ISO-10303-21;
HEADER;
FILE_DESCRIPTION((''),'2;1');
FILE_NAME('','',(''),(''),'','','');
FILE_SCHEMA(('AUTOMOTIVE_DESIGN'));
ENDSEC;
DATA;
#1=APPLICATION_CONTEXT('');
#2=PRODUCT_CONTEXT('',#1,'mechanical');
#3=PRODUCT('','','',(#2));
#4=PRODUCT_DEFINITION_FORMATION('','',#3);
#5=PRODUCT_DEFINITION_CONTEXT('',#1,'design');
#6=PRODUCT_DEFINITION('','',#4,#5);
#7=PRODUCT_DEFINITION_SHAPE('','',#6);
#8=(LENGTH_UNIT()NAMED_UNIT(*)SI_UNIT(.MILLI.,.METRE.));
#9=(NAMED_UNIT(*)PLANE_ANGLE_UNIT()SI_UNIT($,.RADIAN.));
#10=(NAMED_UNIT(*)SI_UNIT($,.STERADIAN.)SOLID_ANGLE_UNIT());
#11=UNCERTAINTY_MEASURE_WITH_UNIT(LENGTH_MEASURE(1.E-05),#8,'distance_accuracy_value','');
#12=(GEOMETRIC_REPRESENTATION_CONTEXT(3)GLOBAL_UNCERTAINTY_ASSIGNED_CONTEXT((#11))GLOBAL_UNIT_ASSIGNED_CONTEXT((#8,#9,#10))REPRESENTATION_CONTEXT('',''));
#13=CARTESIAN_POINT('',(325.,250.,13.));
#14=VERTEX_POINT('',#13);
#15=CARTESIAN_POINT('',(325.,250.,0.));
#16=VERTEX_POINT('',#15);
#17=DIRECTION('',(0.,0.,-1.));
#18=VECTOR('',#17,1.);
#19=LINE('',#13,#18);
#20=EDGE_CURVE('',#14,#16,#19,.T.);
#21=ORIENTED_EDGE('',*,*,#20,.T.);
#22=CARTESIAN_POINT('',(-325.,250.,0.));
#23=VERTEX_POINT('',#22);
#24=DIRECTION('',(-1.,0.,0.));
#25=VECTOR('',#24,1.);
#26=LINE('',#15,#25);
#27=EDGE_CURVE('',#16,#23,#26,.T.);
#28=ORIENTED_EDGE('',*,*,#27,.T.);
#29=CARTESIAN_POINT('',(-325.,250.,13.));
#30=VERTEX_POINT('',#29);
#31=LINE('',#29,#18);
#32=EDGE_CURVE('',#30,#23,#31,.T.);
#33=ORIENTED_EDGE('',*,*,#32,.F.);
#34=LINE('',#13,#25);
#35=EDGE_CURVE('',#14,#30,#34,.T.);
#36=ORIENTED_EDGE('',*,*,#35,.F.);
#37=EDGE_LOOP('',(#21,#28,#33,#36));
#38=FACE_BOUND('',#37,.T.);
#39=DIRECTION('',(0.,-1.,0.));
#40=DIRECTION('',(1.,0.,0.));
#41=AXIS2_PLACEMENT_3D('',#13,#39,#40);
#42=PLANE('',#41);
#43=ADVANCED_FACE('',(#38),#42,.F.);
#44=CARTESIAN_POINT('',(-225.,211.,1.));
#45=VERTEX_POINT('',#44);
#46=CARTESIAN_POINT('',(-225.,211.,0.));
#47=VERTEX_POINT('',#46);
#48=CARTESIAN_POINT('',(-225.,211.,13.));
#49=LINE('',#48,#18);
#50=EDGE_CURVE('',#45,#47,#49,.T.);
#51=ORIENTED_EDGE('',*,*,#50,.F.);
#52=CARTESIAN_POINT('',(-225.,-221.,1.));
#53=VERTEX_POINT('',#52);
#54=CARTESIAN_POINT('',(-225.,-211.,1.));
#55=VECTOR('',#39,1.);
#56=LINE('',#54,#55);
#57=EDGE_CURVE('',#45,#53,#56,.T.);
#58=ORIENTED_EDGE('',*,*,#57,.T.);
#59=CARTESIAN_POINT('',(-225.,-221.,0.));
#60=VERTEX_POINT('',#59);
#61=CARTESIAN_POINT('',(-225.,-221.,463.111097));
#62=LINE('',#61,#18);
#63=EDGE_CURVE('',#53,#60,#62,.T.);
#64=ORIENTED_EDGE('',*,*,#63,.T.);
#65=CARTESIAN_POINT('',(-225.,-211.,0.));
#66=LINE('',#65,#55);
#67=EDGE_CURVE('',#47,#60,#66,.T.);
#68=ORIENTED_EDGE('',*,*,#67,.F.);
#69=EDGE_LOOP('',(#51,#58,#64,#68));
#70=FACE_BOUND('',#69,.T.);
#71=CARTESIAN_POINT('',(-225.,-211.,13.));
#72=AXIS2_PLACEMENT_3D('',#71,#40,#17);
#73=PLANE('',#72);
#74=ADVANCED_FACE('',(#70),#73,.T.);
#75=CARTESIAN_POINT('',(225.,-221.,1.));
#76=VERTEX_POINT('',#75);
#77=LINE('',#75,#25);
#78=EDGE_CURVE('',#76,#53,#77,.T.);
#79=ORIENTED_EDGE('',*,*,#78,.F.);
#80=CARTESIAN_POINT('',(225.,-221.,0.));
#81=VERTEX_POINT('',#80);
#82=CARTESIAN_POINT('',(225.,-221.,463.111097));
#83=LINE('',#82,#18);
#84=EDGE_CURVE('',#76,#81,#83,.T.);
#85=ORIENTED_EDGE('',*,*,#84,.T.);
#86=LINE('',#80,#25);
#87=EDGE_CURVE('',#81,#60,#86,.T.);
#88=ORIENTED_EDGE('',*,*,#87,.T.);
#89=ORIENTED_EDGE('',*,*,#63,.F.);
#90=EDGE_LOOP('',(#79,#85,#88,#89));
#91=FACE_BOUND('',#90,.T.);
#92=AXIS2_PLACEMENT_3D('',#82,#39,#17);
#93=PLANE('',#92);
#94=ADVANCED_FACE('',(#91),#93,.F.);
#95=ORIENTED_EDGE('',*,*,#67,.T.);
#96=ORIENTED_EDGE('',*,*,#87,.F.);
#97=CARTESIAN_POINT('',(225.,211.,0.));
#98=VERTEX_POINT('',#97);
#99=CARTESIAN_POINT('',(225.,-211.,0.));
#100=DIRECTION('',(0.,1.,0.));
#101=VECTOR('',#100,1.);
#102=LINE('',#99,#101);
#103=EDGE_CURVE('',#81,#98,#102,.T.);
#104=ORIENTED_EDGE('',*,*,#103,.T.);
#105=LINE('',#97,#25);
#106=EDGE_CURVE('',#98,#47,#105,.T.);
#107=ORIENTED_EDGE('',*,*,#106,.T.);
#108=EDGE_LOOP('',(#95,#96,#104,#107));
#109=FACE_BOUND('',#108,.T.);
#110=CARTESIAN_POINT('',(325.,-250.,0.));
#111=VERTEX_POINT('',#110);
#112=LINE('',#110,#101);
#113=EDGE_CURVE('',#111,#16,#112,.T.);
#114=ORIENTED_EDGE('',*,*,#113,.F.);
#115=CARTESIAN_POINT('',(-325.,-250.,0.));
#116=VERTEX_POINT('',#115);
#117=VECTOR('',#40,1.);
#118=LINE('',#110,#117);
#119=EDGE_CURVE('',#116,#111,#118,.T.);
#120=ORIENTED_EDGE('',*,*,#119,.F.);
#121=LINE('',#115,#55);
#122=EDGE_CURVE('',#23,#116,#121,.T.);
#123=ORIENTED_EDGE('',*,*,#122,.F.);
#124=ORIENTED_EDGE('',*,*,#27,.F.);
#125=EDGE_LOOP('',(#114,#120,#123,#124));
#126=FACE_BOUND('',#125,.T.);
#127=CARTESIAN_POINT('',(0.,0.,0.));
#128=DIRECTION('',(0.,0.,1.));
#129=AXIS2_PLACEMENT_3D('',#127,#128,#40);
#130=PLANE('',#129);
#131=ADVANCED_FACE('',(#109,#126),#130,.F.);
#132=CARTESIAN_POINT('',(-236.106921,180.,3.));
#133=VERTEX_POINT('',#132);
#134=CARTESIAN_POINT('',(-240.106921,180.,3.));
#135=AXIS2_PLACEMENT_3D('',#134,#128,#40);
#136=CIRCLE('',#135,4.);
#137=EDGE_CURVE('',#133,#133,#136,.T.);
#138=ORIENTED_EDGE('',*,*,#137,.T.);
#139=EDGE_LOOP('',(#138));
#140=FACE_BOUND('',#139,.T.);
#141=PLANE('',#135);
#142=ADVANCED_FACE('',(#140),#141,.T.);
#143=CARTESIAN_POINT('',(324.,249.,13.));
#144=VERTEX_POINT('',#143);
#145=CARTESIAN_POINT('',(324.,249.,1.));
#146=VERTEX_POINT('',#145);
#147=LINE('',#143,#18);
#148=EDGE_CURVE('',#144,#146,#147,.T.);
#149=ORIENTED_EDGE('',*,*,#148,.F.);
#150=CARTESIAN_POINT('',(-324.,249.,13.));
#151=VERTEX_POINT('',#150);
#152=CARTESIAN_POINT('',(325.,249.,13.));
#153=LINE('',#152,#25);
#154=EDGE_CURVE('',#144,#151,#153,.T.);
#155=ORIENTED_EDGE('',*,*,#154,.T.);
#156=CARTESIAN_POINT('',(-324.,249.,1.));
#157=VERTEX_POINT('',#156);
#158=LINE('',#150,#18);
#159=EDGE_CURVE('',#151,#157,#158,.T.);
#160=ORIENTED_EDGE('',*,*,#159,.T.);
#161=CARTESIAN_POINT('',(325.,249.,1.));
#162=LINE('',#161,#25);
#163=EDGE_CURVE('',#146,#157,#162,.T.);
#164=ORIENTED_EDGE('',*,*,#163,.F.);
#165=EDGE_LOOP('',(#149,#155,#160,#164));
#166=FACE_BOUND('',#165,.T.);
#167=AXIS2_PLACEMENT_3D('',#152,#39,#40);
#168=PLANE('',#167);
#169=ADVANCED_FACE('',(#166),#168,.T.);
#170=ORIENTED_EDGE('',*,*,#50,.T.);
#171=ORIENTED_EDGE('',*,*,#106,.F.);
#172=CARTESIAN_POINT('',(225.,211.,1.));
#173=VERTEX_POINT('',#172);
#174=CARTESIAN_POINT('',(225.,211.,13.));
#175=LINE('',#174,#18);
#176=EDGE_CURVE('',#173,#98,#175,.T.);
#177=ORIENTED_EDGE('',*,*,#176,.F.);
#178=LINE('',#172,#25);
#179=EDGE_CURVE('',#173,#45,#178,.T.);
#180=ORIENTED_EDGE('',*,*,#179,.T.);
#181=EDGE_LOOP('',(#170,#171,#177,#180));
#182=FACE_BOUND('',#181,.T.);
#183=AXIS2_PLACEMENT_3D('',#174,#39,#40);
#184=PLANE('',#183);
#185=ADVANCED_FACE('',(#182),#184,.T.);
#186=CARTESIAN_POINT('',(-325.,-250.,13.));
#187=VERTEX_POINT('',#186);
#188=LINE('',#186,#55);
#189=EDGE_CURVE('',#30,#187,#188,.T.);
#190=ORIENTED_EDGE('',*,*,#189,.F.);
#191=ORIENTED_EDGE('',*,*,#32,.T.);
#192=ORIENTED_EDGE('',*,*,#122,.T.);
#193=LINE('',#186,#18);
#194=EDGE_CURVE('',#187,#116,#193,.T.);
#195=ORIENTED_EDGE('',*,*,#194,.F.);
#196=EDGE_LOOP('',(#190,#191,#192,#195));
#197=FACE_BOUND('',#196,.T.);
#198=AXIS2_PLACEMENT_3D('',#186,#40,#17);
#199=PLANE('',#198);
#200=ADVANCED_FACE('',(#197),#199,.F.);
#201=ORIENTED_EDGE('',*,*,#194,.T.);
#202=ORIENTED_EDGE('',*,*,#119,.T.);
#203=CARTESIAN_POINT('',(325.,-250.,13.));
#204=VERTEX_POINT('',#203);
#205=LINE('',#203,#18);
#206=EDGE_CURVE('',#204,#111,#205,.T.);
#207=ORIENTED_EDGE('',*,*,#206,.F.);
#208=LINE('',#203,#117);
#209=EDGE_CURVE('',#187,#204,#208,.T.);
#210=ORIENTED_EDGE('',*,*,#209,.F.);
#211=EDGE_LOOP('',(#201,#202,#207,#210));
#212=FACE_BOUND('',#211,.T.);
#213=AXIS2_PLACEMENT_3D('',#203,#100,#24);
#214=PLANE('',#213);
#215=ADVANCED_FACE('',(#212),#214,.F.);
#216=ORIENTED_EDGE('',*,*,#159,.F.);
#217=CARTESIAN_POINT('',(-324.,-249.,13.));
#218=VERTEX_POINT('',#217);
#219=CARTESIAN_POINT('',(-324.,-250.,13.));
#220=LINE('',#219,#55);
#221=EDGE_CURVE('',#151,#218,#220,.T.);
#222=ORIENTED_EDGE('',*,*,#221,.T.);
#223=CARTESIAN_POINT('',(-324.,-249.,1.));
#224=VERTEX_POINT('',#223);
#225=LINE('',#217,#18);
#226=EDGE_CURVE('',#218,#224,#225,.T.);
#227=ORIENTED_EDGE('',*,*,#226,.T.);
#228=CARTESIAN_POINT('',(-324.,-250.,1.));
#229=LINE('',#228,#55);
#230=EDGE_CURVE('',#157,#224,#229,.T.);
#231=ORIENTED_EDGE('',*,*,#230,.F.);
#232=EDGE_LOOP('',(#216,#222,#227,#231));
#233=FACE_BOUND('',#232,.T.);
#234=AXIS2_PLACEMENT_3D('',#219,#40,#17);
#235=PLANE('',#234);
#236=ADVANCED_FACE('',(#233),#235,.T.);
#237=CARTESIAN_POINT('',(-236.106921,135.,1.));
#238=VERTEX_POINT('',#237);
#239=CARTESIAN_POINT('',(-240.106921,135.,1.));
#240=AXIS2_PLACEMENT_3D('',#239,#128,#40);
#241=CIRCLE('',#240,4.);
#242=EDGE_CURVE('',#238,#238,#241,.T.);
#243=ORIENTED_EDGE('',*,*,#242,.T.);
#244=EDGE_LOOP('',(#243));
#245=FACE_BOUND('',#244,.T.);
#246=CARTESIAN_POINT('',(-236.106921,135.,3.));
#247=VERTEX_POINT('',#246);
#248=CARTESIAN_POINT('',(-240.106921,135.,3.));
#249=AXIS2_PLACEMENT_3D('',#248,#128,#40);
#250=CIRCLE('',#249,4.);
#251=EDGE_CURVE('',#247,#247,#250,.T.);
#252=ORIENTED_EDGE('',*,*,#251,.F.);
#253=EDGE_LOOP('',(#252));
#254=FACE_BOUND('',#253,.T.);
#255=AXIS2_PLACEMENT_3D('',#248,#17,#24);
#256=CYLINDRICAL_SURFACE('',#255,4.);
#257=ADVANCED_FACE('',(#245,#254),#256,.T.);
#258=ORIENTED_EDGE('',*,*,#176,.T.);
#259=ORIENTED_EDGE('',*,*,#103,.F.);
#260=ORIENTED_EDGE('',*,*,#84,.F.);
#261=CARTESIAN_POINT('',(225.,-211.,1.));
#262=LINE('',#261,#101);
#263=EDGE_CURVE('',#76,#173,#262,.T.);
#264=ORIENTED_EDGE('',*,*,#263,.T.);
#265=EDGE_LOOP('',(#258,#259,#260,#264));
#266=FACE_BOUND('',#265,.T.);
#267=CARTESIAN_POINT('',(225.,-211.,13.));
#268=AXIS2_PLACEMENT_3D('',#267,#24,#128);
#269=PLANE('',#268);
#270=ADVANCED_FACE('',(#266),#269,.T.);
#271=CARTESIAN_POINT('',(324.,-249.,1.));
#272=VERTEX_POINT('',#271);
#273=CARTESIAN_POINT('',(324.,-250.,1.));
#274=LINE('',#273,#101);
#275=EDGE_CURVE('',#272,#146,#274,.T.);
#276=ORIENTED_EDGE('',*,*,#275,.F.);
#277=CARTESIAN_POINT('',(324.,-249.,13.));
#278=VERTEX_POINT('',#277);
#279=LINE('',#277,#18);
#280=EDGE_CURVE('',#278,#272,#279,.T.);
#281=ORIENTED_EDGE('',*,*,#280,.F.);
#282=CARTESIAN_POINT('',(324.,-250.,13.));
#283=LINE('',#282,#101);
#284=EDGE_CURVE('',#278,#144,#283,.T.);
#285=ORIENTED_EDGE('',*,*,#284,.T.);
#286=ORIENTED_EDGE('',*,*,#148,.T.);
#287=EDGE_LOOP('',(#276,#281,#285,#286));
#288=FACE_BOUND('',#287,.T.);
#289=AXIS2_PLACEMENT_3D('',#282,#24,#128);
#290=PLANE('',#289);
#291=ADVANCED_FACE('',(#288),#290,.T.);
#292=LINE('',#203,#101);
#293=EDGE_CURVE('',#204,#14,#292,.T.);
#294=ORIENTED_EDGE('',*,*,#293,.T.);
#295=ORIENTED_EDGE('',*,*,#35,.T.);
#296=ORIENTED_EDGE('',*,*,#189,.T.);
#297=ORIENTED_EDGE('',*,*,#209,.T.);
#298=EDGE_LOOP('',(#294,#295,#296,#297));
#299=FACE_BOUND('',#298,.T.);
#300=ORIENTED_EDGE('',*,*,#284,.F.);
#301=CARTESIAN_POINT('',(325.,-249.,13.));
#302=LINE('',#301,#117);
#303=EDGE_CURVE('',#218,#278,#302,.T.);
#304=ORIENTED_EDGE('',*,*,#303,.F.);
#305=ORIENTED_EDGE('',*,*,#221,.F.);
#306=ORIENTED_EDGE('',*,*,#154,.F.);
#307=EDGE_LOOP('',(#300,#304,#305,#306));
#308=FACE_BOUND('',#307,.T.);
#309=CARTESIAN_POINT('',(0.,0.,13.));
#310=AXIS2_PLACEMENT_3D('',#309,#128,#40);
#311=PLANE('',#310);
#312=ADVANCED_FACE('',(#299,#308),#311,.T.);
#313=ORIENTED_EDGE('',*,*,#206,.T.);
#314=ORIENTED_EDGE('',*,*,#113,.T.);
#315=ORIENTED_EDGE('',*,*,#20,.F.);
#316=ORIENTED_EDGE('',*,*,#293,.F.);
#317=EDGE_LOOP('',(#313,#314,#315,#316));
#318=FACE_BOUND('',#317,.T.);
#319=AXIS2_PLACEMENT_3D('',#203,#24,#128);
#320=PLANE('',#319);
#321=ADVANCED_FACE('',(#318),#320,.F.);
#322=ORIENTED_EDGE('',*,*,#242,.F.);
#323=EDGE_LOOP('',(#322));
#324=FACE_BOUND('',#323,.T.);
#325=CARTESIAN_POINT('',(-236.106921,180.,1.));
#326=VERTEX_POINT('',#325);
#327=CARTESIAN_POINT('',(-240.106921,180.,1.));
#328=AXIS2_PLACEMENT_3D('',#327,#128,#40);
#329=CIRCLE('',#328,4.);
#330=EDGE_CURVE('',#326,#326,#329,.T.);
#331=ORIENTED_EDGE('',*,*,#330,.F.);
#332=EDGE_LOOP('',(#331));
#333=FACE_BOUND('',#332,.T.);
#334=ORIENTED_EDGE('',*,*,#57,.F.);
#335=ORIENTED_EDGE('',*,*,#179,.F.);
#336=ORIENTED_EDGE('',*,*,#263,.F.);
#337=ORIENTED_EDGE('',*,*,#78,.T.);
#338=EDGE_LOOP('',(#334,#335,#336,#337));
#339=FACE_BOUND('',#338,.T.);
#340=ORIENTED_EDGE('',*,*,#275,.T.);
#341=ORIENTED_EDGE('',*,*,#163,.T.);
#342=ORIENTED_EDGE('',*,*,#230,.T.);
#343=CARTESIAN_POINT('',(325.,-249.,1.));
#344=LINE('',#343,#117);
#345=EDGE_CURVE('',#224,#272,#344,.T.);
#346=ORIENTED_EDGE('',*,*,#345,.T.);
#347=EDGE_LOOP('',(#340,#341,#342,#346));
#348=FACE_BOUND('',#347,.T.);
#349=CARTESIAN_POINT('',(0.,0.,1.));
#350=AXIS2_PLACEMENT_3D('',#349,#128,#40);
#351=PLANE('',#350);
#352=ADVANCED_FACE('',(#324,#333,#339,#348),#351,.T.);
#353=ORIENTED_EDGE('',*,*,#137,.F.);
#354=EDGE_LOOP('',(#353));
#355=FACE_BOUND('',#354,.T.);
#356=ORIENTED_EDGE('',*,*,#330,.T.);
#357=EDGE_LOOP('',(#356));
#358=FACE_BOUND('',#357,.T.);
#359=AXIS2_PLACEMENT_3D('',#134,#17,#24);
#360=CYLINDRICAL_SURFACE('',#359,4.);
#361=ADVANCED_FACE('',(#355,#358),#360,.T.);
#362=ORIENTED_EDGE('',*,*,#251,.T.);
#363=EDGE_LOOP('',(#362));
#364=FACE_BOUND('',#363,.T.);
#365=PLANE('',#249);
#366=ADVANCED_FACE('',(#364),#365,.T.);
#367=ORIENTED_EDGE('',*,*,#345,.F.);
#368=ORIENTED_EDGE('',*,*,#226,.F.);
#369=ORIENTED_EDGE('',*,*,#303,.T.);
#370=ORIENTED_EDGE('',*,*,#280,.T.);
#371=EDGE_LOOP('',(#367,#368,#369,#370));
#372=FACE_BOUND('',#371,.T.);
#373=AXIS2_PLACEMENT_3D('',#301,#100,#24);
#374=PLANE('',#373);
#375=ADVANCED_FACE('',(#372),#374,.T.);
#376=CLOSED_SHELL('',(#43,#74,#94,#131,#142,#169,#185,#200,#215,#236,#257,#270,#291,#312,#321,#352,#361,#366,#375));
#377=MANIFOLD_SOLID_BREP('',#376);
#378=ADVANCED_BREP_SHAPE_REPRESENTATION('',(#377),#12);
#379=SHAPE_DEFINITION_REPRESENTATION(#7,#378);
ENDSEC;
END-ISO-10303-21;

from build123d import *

# Parameters (mm, degrees)
SKETCH1_W           = 650
SKETCH1_H           = 500
SKETCH1_W_2         = 450
SKETCH1_H_2         = 422
BOSS_EXTRUDE1_DEPTH = 13
SKETCH2_W           = 450
SKETCH2_H           = 10
CUT_EXTRUDE1_DEPTH  = 13
SHELL1_T            = -1
SKETCH3_R           = 4
BOSS_EXTRUDE2_DEPTH = 2
LPATTERN1_COUNT     = 2
LPATTERN1_PITCH     = 45


with BuildPart() as part:
    # Sketch1 → Boss-Extrude1 (new body)
    with BuildSketch(Plane.XY):
        Rectangle(SKETCH1_W, SKETCH1_H)
        Rectangle(SKETCH1_W_2, SKETCH1_H_2, mode=Mode.SUBTRACT)
    extrude(amount=BOSS_EXTRUDE1_DEPTH)

    # Sketch2 → Cut-Extrude1 (cut)
    with BuildSketch(Plane(origin=(0, 0, 0), x_dir=(-1, 0, 0), z_dir=(0, 0, -1))):
        with Locations((0, -216)):
            Rectangle(SKETCH2_W, SKETCH2_H)
    extrude(amount=-CUT_EXTRUDE1_DEPTH, mode=Mode.SUBTRACT)

    # Shell1
    shell1_openings = [part.faces().sort_by_distance(p)[0] for p in [
        (0, -241.799390267, 13),
        (-225, -5, 6.5),
        (225, -5, 6.5),
        (0, 211, 6.5),
        (0, -221, 6.5),
    ]]
    offset(amount=SHELL1_T, openings=shell1_openings, kind=Kind.INTERSECTION)

    # Sketch3 → Boss-Extrude2 (add)
    with BuildSketch(Plane.XY.offset(1)):
        with Locations((-240.106920594, 180)):
            Circle(SKETCH3_R)
    boss_extrude2 = extrude(amount=BOSS_EXTRUDE2_DEPTH)

    # LPattern1: Boss-Extrude2 ×2
    with Locations(*[(0, -i * LPATTERN1_PITCH, 0) for i in range(1, LPATTERN1_COUNT)]):
        add(boss_extrude2)


solid = part.part
